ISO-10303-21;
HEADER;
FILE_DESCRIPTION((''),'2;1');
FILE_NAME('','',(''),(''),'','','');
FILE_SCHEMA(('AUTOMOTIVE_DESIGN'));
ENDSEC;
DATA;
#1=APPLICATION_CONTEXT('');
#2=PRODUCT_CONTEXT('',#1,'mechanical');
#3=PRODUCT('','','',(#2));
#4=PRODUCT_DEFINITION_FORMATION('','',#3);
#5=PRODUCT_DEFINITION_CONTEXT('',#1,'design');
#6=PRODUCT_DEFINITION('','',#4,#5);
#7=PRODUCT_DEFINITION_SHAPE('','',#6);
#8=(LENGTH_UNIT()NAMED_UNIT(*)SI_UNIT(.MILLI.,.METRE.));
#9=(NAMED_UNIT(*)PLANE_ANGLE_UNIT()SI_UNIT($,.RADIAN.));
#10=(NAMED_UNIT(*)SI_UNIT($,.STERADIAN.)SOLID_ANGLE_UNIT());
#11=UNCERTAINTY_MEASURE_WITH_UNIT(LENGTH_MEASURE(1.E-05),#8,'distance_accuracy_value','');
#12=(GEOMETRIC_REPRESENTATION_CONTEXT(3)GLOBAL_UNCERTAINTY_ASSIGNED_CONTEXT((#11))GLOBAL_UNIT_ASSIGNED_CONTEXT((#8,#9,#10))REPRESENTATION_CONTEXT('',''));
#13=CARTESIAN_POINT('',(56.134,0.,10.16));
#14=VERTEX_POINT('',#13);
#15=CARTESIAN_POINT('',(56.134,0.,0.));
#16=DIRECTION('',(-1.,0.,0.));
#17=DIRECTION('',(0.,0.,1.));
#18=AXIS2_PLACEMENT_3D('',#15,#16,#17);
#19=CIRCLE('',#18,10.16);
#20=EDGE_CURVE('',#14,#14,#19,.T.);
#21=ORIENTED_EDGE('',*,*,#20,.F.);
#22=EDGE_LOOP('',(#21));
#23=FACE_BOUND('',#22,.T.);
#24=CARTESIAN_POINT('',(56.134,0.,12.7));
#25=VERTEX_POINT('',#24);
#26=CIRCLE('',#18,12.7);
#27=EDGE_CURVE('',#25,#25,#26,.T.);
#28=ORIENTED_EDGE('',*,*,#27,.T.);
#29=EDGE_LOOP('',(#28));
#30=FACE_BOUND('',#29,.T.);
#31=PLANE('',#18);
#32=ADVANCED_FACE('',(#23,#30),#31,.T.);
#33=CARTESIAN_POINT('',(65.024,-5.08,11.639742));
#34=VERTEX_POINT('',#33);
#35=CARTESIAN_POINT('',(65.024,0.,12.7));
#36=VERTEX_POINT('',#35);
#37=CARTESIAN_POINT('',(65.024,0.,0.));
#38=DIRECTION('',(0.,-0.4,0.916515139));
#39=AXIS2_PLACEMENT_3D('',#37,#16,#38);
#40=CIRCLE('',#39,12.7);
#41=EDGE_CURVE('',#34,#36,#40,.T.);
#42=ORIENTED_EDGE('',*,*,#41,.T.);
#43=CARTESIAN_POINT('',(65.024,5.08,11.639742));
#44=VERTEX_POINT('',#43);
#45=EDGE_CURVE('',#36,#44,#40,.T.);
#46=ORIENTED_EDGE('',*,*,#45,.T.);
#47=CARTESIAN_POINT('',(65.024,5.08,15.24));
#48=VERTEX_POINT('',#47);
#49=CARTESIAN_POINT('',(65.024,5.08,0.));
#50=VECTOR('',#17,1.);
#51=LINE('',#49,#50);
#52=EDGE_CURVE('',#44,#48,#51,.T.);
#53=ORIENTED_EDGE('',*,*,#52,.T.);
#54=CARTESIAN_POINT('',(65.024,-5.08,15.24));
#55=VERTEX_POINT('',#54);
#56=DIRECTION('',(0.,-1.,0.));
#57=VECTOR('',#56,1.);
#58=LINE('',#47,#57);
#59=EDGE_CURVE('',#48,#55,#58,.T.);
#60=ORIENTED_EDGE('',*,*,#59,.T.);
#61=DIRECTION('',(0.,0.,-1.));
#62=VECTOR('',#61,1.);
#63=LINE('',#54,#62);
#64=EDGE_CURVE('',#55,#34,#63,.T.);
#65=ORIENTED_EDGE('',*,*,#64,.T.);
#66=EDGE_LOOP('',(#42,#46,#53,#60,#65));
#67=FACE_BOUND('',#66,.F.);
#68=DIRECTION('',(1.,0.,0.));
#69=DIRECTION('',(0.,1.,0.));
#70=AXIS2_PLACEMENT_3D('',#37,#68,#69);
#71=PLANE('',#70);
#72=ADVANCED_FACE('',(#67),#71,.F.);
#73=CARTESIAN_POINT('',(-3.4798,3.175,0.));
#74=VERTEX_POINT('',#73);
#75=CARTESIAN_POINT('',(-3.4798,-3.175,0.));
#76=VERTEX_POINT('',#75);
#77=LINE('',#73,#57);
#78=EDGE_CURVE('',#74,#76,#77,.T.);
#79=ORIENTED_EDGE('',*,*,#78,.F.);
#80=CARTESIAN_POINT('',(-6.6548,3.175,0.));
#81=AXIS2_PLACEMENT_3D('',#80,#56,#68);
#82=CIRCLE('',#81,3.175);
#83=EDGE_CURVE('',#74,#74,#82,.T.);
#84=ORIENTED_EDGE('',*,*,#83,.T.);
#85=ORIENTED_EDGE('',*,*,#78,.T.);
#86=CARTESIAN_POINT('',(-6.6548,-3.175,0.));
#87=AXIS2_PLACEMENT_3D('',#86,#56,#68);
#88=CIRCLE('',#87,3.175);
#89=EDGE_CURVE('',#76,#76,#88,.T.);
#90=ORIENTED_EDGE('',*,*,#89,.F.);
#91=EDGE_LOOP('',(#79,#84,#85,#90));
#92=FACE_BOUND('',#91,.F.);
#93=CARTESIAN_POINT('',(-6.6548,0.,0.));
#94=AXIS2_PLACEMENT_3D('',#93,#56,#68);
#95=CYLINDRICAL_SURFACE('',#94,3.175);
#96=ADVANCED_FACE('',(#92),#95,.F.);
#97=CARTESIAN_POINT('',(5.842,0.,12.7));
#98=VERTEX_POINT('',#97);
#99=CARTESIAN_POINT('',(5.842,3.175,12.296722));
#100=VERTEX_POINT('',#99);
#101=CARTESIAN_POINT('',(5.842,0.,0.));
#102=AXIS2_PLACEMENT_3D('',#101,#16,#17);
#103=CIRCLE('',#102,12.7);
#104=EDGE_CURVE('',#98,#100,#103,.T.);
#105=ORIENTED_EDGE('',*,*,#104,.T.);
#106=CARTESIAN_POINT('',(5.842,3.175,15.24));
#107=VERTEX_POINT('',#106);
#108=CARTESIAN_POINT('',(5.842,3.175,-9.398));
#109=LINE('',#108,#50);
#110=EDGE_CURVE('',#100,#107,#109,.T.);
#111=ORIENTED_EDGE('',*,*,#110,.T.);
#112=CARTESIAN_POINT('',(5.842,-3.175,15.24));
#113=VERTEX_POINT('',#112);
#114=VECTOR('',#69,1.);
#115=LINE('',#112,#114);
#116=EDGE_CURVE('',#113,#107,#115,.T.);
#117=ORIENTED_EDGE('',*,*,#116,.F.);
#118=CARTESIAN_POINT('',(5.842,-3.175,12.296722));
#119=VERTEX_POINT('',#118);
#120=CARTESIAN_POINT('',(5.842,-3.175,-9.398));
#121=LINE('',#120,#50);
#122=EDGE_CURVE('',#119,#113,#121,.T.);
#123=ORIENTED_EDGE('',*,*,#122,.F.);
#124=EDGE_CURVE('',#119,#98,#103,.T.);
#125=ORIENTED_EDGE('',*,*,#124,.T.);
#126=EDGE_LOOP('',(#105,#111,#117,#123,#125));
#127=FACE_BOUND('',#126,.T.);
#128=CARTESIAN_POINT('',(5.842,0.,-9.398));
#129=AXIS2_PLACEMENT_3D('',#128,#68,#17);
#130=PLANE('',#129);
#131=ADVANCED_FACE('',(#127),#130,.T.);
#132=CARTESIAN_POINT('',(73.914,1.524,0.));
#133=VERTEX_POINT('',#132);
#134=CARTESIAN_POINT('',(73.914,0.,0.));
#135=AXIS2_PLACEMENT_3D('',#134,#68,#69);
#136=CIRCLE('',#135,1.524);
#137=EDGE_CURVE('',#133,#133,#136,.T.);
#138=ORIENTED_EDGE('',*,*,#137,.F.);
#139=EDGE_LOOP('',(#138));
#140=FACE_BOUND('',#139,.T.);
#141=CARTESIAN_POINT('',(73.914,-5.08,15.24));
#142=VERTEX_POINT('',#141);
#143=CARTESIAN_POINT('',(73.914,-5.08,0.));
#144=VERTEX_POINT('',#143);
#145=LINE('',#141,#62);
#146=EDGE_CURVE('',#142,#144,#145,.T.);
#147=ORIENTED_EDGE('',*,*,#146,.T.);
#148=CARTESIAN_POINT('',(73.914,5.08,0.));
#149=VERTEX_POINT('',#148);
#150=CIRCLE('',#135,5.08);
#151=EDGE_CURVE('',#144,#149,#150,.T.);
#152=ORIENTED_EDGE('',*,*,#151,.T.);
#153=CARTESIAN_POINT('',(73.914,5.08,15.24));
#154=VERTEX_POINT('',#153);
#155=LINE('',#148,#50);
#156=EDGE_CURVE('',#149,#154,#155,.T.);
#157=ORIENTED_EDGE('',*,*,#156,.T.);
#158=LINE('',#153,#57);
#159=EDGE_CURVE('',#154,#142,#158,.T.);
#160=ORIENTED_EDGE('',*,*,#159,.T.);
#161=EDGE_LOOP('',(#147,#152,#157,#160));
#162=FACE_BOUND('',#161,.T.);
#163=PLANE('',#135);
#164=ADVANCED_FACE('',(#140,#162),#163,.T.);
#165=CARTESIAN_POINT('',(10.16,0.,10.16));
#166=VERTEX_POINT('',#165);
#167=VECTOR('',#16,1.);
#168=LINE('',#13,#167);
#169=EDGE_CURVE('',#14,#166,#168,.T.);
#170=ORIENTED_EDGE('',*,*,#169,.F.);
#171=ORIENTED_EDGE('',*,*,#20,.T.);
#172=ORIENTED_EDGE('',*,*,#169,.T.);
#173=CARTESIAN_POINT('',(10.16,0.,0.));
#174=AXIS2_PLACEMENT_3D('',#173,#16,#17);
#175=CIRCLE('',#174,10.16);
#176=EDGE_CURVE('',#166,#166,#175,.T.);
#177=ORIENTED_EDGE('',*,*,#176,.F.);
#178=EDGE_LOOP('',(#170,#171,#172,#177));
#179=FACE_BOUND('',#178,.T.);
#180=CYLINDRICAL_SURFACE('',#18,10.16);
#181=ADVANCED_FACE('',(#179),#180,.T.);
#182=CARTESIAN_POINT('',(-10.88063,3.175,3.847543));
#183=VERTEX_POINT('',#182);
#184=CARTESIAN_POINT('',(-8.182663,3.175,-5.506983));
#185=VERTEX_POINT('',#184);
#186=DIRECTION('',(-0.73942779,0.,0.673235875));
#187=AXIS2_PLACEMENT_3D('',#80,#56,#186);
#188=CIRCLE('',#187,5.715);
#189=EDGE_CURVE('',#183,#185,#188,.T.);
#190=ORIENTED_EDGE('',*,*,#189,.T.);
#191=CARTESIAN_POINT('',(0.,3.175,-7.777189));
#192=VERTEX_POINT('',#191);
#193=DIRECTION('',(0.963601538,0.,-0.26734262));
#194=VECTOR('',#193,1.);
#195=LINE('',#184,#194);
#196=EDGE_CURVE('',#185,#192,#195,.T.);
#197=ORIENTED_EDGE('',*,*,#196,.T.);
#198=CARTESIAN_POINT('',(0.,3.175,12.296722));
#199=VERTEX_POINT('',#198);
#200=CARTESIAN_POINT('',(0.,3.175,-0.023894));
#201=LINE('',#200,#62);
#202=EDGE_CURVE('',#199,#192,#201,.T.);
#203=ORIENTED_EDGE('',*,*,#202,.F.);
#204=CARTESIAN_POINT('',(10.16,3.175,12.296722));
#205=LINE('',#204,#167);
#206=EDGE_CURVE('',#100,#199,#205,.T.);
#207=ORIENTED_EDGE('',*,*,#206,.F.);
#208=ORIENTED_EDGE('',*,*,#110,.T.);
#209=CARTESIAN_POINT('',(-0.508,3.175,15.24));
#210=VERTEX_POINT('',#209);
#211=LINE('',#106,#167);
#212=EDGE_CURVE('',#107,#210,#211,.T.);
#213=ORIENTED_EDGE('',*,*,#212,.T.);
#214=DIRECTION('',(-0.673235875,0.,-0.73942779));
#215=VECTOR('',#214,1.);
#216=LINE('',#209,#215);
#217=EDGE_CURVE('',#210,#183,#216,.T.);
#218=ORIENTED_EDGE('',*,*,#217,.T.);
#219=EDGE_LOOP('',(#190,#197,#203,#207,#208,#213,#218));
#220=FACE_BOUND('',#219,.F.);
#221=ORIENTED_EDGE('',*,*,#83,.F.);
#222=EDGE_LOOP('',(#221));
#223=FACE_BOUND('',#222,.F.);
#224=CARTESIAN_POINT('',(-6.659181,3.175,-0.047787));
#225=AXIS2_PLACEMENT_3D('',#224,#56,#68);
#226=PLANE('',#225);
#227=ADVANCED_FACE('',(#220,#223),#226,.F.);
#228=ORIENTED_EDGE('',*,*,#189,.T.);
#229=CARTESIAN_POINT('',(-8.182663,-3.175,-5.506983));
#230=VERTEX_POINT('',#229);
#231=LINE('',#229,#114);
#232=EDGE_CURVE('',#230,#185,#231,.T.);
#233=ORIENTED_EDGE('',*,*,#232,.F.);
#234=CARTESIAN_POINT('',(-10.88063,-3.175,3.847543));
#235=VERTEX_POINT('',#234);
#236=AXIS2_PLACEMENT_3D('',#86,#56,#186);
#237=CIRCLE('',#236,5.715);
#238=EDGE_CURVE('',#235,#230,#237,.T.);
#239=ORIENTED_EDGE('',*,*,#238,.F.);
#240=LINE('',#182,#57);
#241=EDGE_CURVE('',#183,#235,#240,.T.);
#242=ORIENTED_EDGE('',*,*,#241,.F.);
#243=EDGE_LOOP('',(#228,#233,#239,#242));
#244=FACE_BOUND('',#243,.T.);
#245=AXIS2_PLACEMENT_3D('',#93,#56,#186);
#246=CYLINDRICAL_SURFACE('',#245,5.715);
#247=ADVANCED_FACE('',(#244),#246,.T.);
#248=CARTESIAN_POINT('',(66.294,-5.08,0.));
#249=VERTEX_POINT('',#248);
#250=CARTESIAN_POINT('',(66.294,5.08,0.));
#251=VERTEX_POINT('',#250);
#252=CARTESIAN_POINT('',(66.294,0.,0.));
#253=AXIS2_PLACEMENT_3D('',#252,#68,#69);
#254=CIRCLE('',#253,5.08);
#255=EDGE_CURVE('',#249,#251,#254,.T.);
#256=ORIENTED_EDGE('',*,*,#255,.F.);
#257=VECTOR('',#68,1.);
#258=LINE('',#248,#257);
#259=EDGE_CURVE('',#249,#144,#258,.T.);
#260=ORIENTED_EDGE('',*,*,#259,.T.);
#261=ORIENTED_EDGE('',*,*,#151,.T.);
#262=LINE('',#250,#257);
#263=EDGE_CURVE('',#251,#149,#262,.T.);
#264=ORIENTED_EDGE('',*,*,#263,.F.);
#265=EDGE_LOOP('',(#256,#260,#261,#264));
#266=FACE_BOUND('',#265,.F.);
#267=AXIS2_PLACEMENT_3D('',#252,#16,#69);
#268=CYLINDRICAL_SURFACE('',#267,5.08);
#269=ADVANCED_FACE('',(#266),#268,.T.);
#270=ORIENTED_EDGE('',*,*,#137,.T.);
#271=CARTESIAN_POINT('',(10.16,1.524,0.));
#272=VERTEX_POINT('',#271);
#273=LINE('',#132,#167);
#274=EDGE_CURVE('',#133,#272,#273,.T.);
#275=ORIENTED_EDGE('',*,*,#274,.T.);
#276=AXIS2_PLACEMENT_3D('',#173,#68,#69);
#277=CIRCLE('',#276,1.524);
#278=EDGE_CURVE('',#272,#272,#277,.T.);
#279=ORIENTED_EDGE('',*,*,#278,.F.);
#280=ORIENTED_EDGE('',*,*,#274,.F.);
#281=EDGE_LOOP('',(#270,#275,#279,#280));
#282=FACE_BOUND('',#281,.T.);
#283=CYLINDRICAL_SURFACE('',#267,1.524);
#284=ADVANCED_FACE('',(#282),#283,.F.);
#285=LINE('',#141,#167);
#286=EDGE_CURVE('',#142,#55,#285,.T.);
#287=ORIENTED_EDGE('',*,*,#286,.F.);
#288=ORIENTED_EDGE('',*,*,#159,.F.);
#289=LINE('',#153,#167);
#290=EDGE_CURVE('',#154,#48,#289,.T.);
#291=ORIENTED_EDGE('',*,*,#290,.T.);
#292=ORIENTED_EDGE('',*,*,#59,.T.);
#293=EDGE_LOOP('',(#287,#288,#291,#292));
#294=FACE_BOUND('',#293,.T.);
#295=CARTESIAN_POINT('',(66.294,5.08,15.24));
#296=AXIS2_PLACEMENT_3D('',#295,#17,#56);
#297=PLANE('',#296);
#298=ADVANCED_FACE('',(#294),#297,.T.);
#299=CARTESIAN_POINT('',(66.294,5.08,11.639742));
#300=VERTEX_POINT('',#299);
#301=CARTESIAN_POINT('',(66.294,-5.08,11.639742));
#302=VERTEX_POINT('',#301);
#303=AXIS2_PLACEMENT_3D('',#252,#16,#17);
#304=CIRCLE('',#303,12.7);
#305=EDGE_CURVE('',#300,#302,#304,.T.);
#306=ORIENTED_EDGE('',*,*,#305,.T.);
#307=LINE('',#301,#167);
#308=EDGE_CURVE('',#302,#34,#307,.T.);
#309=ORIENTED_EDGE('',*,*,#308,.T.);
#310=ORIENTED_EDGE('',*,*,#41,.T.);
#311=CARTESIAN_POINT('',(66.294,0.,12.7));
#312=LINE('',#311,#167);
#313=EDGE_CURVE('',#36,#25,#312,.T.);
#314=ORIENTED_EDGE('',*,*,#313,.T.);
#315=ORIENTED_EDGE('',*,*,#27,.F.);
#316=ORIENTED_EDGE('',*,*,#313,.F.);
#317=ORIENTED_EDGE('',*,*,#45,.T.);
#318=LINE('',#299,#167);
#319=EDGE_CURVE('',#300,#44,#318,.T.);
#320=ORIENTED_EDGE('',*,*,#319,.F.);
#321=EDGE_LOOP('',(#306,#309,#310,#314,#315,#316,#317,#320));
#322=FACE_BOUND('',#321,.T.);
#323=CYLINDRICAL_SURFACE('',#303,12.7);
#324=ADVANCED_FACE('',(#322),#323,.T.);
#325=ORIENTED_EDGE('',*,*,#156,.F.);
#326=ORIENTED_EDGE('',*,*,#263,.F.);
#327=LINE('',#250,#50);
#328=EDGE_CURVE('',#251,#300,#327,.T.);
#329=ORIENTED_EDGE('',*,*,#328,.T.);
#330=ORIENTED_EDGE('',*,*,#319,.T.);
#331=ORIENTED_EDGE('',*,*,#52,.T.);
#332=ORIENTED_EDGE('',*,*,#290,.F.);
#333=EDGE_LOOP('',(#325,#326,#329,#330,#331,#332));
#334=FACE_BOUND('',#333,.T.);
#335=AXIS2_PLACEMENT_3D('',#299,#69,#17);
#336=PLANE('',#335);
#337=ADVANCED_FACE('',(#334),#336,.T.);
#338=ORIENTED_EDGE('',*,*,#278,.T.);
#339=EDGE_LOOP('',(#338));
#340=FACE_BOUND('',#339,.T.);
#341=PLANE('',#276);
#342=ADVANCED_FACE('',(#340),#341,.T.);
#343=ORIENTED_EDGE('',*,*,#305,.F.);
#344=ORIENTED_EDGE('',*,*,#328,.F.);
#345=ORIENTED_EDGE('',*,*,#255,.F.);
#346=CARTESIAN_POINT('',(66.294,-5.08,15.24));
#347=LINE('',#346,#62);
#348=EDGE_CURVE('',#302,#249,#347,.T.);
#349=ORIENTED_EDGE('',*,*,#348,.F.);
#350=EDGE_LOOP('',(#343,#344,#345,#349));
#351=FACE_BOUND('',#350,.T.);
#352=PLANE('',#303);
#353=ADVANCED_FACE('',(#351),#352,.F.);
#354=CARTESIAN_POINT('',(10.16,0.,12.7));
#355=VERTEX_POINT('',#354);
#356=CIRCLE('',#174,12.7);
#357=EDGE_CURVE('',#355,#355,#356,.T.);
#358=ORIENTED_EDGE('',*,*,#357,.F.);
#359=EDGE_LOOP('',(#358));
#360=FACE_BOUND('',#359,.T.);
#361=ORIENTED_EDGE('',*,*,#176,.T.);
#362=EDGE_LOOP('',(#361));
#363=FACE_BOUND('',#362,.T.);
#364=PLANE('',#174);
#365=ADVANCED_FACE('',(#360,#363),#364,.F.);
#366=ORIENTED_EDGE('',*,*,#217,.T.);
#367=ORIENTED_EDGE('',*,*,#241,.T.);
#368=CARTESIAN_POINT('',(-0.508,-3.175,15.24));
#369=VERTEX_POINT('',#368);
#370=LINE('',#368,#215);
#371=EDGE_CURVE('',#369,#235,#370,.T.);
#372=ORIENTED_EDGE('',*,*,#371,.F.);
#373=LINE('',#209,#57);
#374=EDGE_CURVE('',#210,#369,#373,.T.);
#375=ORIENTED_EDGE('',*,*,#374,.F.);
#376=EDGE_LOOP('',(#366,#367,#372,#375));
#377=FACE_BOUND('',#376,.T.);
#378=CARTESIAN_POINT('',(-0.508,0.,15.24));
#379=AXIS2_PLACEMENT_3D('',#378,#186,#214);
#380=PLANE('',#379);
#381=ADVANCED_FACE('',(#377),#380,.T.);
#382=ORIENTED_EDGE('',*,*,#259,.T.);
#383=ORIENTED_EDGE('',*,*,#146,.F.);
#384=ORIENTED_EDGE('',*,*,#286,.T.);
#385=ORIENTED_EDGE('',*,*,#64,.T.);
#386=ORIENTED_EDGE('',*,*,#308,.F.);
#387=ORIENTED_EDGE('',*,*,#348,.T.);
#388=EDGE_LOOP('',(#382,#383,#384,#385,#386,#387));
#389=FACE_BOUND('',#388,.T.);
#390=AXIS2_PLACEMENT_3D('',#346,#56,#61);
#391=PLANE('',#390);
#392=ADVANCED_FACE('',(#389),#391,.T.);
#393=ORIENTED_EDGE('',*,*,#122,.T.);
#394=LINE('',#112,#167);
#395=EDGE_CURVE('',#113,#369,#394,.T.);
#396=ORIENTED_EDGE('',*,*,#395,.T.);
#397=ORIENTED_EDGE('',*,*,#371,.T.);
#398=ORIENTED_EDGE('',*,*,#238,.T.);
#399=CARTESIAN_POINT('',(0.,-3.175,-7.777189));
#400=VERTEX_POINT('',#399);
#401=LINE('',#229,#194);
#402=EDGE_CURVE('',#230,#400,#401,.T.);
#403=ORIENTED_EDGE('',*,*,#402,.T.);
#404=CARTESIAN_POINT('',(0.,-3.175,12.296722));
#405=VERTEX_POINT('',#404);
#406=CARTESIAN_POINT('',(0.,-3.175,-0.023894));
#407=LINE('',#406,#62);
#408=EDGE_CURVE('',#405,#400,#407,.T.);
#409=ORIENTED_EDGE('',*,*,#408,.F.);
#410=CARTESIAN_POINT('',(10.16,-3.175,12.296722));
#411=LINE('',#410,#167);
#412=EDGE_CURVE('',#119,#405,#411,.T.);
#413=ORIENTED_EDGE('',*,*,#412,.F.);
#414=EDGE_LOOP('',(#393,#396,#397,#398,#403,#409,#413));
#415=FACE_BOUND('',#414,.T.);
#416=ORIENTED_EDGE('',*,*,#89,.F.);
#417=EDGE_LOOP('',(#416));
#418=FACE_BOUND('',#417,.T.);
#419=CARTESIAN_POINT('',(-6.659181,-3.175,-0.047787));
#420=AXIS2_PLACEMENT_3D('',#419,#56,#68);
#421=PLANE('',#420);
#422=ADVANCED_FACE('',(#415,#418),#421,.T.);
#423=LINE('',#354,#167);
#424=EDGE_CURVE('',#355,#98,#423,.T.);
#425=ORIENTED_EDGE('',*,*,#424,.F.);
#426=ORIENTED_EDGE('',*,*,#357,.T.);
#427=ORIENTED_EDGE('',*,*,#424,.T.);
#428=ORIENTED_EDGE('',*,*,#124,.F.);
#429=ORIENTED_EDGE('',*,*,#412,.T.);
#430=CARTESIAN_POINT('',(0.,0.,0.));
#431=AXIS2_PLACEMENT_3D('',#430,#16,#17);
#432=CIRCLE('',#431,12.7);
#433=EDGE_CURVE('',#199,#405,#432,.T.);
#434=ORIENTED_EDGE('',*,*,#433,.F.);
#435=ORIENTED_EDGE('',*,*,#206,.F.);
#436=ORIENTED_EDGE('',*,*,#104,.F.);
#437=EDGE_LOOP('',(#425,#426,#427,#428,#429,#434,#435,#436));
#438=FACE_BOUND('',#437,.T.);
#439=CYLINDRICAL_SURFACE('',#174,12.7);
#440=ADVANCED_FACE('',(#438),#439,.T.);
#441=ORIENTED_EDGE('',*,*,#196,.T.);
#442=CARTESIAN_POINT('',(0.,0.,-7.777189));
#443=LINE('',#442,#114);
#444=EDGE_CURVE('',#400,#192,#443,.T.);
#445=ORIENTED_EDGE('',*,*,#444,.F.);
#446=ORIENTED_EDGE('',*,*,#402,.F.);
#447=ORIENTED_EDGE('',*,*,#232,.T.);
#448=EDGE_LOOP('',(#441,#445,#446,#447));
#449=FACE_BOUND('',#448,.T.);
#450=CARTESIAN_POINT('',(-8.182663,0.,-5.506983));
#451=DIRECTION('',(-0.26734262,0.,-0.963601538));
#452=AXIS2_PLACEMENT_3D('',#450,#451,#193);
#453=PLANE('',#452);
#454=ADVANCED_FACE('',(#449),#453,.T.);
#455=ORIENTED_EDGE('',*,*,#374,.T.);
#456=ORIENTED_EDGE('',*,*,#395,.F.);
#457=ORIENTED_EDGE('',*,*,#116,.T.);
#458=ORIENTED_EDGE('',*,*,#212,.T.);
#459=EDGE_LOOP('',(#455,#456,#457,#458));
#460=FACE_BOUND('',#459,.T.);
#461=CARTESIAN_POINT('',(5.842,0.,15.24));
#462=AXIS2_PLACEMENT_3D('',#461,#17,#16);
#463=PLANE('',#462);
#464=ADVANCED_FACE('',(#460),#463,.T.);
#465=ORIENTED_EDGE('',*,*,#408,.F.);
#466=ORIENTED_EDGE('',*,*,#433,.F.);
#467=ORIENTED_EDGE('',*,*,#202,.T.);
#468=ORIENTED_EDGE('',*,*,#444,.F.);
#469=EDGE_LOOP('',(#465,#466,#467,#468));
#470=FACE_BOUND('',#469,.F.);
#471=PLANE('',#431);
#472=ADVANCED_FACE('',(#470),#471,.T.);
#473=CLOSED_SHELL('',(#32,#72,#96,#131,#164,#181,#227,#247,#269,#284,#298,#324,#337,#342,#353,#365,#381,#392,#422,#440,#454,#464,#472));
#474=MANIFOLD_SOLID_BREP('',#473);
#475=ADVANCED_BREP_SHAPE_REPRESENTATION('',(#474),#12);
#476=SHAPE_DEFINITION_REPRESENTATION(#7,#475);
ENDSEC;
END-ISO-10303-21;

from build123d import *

# Parameters (mm, degrees)
F0_W     = 5.842
F0_H     = 12.7
F0_R     = 3.175
F2_DEPTH = 3.175
F3_DEPTH = 3.175
F4_R     = 1.524
F5_DEPTH = 7.62
F6_DEPTH = 1.27
F7_DEPTH = 56.134


with BuildPart() as f1:
    # F0 (on Front) → F1 (revolve)
    with BuildSketch(Plane.XZ):
        with Locations((2.921, 6.35)):
            Rectangle(F0_W, F0_H)
        Polygon((5.842, 12.7), (5.842, 0), (66.294, 0), (66.294, 12.7), (56.134, 12.7), (56.134, 10.16), (10.16, 10.16), (10.16, 12.7), align=None)
    revolve(axis=Axis((33.147, 0, 0), (-1, 0, 0)))

    # F0 (on Front) → F2 (join, symmetric)
    with BuildSketch(Plane.XZ):
        with BuildLine():
            ThreePointArc((-8.1826630726, -5.5069827884), (-3.1957909266, -4.5493385486), (-0.9398, 0))
            ThreePointArc((-0.9398, 0), (-4.5919612295, 5.3297205562), (-10.8806298187, 3.8475430269))
            ThreePointArc((-10.8806298187, 3.8475430269), (-12.1459778134, -1.5837270034), (-8.1826630726, -5.5069827884))
        make_face()
        with Locations((-6.6548, 0)):
            Circle(F0_R, mode=Mode.SUBTRACT)
        with BuildLine():
            Line((-0.9398, 0), (0, 0))
            Line((0, 0), (0, 12.7))
            Line((0, 12.7), (5.842, 12.7))
            Line((5.842, 12.7), (5.842, 15.24))
            Line((5.842, 15.24), (-0.508, 15.24))
            Line((-0.508, 15.24), (-10.8806298187, 3.8475430269))
            ThreePointArc((-10.8806298187, 3.8475430269), (-4.5919612295, 5.3297205562), (-0.9398, 0))
        make_face()
        with Locations((2.921, 6.35)):
            Rectangle(F0_W, F0_H)
        with BuildLine():
            Line((5.842, 0), (0, 0))
            Line((0, 0), (-0.9398, 0))
            ThreePointArc((-0.9398, 0), (-3.1957909266, -4.5493385486), (-8.1826630726, -5.5069827884))
            Line((-8.1826630726, -5.5069827884), (5.842, -9.398))
            Line((5.842, -9.398), (5.842, 0))
        make_face()
        with Locations((-6.6548, 0)):
            Circle(F0_R)
    extrude(amount=F2_DEPTH, both=True)

    # F0 (on Front) → F3 (cut, symmetric)
    with BuildSketch(Plane.XZ):
        with Locations((-6.6548, 0)):
            Circle(F0_R)
    extrude(amount=F3_DEPTH, both=True, mode=Mode.SUBTRACT)

    # F4 (on face) → F5 (join)
    with BuildSketch(Plane.YZ.offset(66.294)):
        with BuildLine():
            ThreePointArc((-5.08, 0), (0, -5.08), (5.08, 0))
            ThreePointArc((5.08, 0), (0, 5.08), (-5.08, 0))
        make_face()
        Circle(F4_R, mode=Mode.SUBTRACT)
        with BuildLine():
            ThreePointArc((-5.08, 0), (0, 5.08), (5.08, 0))
            Line((5.08, 0), (5.08, 15.24))
            Line((5.08, 15.24), (-5.08, 15.24))
            Line((-5.08, 15.24), (-5.08, 0))
        make_face()
    extrude(amount=F5_DEPTH)

    # F6 (add): a face of the model
    f6_faces = [f1.faces().sort_by_distance(p)[0] for p in [
        (66.294, 0, 13.7792682875),
    ]]
    extrude(f6_faces, amount=F6_DEPTH)

    # F4 (on face) → F7 (cut, through all)
    with BuildSketch(Plane.YZ.offset(66.294)):
        Circle(F4_R)
    extrude(amount=-F7_DEPTH, mode=Mode.SUBTRACT)


solid = f1.part
